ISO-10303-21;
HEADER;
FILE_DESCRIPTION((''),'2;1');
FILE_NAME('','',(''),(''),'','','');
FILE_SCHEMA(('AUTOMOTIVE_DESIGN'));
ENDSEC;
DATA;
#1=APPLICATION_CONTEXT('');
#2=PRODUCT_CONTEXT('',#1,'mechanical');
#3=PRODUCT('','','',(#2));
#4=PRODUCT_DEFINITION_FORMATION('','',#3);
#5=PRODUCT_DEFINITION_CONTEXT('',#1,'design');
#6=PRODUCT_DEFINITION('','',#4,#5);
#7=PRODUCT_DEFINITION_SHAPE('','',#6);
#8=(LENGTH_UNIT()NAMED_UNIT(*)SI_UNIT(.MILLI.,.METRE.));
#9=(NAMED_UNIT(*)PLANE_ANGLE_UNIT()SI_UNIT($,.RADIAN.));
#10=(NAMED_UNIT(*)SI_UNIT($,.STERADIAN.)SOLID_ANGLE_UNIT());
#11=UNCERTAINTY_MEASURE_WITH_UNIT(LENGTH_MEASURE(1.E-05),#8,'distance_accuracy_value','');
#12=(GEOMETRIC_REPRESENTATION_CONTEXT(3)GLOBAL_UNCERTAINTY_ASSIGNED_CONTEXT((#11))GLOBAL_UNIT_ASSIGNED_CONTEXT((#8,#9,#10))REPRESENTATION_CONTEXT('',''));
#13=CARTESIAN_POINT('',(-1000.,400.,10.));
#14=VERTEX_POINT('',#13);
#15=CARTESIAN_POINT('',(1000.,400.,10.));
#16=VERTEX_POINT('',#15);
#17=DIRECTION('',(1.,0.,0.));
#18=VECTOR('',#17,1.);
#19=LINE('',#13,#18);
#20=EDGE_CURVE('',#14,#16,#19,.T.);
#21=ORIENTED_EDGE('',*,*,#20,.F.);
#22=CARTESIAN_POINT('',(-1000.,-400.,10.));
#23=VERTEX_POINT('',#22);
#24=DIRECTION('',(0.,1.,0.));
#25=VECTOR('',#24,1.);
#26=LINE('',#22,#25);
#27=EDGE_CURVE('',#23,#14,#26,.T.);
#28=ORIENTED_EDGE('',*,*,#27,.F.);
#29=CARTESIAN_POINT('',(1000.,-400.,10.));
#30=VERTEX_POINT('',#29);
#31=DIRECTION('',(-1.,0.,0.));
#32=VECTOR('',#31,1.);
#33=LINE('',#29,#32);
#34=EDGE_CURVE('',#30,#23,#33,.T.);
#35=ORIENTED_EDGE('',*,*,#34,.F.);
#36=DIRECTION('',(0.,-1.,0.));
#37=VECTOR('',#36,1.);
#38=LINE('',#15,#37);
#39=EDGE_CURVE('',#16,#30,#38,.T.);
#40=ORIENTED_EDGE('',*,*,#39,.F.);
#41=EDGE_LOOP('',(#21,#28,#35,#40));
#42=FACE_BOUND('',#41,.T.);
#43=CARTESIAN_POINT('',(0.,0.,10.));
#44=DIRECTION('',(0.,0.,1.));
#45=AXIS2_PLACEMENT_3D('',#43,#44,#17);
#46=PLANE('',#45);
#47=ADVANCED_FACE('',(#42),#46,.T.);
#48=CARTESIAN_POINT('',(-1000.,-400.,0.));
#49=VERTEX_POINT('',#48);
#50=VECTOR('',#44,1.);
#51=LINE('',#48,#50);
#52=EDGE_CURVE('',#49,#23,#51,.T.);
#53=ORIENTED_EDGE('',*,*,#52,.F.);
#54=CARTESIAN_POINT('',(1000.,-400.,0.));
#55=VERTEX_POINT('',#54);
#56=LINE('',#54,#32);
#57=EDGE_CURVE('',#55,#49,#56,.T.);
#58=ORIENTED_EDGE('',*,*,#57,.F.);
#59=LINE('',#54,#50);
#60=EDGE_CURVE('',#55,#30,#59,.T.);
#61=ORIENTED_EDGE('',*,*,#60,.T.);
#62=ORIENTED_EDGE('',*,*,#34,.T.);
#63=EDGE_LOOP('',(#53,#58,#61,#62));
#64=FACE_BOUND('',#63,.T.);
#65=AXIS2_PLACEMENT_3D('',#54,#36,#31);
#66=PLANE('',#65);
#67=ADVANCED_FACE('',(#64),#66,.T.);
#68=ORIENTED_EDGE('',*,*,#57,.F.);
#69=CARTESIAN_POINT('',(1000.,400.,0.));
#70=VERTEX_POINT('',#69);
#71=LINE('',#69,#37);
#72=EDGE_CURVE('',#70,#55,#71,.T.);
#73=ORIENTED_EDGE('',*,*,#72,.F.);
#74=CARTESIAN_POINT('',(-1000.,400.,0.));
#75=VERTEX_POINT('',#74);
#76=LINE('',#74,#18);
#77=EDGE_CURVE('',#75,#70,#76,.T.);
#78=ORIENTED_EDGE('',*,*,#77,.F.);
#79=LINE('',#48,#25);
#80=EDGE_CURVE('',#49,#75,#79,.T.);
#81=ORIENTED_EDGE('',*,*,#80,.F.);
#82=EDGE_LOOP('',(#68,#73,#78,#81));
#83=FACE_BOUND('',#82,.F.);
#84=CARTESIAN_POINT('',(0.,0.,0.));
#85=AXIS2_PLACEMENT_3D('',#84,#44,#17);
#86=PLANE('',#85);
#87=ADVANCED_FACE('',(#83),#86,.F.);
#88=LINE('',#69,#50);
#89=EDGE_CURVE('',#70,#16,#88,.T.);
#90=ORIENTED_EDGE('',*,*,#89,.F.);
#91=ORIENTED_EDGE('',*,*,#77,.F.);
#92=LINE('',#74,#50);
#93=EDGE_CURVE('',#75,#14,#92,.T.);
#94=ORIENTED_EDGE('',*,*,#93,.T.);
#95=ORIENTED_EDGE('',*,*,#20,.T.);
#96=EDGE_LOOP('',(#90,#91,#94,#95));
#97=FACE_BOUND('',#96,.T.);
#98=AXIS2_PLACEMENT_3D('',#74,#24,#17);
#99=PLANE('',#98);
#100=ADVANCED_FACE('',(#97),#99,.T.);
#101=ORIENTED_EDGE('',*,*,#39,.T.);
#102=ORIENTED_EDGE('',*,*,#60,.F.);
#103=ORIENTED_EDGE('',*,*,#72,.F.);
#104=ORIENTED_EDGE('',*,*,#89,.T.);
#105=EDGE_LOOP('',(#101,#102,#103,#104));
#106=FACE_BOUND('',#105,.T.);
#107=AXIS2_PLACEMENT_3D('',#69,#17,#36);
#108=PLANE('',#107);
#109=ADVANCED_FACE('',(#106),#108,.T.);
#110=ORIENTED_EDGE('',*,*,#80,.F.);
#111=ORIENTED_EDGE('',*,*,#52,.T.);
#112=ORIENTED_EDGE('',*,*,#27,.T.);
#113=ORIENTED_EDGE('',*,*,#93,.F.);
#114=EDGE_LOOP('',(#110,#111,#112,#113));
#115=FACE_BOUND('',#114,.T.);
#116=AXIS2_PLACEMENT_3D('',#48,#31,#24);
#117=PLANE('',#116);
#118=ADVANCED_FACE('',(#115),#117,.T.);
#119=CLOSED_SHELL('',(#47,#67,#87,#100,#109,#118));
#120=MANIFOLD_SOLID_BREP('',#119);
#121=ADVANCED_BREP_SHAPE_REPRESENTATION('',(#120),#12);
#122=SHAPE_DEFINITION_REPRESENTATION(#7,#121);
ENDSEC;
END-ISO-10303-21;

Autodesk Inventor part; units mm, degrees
ref_plane "YZ Plane" through (0, 0, 0) normal (1, 0, 0) x (0, 1, 0)
ref_plane "XZ Plane" through (0, 0, 0) normal (0, 1, 0) x (-1, 0, 0)
ref_plane "XY Plane" through (0, 0, 0) normal (0, 0, 1) x (1, 0, 0)
sketch "Sketch1" plane through (0, 0, 0) normal (0, 0, 1) x (1, 0, 0)
  line L0 (-1000, 400) -> (1000, 400)
  line L1 (1000, 400) -> (1000, -400)
  line L2 (1000, -400) -> (-1000, -400)
  line L3 (-1000, -400) -> (-1000, 400)
  line L4 (-1000, 400) -> (1000, -400) construction
  line L5 (1000, 400) -> (-1000, -400) construction
  point P0 (0, 0)
  dimension "d0" = 2000
  dimension "d1" = 800
extrude "Extrusion1" add sketch "Sketch1" along normal blind 10
properties part number "Wall"
